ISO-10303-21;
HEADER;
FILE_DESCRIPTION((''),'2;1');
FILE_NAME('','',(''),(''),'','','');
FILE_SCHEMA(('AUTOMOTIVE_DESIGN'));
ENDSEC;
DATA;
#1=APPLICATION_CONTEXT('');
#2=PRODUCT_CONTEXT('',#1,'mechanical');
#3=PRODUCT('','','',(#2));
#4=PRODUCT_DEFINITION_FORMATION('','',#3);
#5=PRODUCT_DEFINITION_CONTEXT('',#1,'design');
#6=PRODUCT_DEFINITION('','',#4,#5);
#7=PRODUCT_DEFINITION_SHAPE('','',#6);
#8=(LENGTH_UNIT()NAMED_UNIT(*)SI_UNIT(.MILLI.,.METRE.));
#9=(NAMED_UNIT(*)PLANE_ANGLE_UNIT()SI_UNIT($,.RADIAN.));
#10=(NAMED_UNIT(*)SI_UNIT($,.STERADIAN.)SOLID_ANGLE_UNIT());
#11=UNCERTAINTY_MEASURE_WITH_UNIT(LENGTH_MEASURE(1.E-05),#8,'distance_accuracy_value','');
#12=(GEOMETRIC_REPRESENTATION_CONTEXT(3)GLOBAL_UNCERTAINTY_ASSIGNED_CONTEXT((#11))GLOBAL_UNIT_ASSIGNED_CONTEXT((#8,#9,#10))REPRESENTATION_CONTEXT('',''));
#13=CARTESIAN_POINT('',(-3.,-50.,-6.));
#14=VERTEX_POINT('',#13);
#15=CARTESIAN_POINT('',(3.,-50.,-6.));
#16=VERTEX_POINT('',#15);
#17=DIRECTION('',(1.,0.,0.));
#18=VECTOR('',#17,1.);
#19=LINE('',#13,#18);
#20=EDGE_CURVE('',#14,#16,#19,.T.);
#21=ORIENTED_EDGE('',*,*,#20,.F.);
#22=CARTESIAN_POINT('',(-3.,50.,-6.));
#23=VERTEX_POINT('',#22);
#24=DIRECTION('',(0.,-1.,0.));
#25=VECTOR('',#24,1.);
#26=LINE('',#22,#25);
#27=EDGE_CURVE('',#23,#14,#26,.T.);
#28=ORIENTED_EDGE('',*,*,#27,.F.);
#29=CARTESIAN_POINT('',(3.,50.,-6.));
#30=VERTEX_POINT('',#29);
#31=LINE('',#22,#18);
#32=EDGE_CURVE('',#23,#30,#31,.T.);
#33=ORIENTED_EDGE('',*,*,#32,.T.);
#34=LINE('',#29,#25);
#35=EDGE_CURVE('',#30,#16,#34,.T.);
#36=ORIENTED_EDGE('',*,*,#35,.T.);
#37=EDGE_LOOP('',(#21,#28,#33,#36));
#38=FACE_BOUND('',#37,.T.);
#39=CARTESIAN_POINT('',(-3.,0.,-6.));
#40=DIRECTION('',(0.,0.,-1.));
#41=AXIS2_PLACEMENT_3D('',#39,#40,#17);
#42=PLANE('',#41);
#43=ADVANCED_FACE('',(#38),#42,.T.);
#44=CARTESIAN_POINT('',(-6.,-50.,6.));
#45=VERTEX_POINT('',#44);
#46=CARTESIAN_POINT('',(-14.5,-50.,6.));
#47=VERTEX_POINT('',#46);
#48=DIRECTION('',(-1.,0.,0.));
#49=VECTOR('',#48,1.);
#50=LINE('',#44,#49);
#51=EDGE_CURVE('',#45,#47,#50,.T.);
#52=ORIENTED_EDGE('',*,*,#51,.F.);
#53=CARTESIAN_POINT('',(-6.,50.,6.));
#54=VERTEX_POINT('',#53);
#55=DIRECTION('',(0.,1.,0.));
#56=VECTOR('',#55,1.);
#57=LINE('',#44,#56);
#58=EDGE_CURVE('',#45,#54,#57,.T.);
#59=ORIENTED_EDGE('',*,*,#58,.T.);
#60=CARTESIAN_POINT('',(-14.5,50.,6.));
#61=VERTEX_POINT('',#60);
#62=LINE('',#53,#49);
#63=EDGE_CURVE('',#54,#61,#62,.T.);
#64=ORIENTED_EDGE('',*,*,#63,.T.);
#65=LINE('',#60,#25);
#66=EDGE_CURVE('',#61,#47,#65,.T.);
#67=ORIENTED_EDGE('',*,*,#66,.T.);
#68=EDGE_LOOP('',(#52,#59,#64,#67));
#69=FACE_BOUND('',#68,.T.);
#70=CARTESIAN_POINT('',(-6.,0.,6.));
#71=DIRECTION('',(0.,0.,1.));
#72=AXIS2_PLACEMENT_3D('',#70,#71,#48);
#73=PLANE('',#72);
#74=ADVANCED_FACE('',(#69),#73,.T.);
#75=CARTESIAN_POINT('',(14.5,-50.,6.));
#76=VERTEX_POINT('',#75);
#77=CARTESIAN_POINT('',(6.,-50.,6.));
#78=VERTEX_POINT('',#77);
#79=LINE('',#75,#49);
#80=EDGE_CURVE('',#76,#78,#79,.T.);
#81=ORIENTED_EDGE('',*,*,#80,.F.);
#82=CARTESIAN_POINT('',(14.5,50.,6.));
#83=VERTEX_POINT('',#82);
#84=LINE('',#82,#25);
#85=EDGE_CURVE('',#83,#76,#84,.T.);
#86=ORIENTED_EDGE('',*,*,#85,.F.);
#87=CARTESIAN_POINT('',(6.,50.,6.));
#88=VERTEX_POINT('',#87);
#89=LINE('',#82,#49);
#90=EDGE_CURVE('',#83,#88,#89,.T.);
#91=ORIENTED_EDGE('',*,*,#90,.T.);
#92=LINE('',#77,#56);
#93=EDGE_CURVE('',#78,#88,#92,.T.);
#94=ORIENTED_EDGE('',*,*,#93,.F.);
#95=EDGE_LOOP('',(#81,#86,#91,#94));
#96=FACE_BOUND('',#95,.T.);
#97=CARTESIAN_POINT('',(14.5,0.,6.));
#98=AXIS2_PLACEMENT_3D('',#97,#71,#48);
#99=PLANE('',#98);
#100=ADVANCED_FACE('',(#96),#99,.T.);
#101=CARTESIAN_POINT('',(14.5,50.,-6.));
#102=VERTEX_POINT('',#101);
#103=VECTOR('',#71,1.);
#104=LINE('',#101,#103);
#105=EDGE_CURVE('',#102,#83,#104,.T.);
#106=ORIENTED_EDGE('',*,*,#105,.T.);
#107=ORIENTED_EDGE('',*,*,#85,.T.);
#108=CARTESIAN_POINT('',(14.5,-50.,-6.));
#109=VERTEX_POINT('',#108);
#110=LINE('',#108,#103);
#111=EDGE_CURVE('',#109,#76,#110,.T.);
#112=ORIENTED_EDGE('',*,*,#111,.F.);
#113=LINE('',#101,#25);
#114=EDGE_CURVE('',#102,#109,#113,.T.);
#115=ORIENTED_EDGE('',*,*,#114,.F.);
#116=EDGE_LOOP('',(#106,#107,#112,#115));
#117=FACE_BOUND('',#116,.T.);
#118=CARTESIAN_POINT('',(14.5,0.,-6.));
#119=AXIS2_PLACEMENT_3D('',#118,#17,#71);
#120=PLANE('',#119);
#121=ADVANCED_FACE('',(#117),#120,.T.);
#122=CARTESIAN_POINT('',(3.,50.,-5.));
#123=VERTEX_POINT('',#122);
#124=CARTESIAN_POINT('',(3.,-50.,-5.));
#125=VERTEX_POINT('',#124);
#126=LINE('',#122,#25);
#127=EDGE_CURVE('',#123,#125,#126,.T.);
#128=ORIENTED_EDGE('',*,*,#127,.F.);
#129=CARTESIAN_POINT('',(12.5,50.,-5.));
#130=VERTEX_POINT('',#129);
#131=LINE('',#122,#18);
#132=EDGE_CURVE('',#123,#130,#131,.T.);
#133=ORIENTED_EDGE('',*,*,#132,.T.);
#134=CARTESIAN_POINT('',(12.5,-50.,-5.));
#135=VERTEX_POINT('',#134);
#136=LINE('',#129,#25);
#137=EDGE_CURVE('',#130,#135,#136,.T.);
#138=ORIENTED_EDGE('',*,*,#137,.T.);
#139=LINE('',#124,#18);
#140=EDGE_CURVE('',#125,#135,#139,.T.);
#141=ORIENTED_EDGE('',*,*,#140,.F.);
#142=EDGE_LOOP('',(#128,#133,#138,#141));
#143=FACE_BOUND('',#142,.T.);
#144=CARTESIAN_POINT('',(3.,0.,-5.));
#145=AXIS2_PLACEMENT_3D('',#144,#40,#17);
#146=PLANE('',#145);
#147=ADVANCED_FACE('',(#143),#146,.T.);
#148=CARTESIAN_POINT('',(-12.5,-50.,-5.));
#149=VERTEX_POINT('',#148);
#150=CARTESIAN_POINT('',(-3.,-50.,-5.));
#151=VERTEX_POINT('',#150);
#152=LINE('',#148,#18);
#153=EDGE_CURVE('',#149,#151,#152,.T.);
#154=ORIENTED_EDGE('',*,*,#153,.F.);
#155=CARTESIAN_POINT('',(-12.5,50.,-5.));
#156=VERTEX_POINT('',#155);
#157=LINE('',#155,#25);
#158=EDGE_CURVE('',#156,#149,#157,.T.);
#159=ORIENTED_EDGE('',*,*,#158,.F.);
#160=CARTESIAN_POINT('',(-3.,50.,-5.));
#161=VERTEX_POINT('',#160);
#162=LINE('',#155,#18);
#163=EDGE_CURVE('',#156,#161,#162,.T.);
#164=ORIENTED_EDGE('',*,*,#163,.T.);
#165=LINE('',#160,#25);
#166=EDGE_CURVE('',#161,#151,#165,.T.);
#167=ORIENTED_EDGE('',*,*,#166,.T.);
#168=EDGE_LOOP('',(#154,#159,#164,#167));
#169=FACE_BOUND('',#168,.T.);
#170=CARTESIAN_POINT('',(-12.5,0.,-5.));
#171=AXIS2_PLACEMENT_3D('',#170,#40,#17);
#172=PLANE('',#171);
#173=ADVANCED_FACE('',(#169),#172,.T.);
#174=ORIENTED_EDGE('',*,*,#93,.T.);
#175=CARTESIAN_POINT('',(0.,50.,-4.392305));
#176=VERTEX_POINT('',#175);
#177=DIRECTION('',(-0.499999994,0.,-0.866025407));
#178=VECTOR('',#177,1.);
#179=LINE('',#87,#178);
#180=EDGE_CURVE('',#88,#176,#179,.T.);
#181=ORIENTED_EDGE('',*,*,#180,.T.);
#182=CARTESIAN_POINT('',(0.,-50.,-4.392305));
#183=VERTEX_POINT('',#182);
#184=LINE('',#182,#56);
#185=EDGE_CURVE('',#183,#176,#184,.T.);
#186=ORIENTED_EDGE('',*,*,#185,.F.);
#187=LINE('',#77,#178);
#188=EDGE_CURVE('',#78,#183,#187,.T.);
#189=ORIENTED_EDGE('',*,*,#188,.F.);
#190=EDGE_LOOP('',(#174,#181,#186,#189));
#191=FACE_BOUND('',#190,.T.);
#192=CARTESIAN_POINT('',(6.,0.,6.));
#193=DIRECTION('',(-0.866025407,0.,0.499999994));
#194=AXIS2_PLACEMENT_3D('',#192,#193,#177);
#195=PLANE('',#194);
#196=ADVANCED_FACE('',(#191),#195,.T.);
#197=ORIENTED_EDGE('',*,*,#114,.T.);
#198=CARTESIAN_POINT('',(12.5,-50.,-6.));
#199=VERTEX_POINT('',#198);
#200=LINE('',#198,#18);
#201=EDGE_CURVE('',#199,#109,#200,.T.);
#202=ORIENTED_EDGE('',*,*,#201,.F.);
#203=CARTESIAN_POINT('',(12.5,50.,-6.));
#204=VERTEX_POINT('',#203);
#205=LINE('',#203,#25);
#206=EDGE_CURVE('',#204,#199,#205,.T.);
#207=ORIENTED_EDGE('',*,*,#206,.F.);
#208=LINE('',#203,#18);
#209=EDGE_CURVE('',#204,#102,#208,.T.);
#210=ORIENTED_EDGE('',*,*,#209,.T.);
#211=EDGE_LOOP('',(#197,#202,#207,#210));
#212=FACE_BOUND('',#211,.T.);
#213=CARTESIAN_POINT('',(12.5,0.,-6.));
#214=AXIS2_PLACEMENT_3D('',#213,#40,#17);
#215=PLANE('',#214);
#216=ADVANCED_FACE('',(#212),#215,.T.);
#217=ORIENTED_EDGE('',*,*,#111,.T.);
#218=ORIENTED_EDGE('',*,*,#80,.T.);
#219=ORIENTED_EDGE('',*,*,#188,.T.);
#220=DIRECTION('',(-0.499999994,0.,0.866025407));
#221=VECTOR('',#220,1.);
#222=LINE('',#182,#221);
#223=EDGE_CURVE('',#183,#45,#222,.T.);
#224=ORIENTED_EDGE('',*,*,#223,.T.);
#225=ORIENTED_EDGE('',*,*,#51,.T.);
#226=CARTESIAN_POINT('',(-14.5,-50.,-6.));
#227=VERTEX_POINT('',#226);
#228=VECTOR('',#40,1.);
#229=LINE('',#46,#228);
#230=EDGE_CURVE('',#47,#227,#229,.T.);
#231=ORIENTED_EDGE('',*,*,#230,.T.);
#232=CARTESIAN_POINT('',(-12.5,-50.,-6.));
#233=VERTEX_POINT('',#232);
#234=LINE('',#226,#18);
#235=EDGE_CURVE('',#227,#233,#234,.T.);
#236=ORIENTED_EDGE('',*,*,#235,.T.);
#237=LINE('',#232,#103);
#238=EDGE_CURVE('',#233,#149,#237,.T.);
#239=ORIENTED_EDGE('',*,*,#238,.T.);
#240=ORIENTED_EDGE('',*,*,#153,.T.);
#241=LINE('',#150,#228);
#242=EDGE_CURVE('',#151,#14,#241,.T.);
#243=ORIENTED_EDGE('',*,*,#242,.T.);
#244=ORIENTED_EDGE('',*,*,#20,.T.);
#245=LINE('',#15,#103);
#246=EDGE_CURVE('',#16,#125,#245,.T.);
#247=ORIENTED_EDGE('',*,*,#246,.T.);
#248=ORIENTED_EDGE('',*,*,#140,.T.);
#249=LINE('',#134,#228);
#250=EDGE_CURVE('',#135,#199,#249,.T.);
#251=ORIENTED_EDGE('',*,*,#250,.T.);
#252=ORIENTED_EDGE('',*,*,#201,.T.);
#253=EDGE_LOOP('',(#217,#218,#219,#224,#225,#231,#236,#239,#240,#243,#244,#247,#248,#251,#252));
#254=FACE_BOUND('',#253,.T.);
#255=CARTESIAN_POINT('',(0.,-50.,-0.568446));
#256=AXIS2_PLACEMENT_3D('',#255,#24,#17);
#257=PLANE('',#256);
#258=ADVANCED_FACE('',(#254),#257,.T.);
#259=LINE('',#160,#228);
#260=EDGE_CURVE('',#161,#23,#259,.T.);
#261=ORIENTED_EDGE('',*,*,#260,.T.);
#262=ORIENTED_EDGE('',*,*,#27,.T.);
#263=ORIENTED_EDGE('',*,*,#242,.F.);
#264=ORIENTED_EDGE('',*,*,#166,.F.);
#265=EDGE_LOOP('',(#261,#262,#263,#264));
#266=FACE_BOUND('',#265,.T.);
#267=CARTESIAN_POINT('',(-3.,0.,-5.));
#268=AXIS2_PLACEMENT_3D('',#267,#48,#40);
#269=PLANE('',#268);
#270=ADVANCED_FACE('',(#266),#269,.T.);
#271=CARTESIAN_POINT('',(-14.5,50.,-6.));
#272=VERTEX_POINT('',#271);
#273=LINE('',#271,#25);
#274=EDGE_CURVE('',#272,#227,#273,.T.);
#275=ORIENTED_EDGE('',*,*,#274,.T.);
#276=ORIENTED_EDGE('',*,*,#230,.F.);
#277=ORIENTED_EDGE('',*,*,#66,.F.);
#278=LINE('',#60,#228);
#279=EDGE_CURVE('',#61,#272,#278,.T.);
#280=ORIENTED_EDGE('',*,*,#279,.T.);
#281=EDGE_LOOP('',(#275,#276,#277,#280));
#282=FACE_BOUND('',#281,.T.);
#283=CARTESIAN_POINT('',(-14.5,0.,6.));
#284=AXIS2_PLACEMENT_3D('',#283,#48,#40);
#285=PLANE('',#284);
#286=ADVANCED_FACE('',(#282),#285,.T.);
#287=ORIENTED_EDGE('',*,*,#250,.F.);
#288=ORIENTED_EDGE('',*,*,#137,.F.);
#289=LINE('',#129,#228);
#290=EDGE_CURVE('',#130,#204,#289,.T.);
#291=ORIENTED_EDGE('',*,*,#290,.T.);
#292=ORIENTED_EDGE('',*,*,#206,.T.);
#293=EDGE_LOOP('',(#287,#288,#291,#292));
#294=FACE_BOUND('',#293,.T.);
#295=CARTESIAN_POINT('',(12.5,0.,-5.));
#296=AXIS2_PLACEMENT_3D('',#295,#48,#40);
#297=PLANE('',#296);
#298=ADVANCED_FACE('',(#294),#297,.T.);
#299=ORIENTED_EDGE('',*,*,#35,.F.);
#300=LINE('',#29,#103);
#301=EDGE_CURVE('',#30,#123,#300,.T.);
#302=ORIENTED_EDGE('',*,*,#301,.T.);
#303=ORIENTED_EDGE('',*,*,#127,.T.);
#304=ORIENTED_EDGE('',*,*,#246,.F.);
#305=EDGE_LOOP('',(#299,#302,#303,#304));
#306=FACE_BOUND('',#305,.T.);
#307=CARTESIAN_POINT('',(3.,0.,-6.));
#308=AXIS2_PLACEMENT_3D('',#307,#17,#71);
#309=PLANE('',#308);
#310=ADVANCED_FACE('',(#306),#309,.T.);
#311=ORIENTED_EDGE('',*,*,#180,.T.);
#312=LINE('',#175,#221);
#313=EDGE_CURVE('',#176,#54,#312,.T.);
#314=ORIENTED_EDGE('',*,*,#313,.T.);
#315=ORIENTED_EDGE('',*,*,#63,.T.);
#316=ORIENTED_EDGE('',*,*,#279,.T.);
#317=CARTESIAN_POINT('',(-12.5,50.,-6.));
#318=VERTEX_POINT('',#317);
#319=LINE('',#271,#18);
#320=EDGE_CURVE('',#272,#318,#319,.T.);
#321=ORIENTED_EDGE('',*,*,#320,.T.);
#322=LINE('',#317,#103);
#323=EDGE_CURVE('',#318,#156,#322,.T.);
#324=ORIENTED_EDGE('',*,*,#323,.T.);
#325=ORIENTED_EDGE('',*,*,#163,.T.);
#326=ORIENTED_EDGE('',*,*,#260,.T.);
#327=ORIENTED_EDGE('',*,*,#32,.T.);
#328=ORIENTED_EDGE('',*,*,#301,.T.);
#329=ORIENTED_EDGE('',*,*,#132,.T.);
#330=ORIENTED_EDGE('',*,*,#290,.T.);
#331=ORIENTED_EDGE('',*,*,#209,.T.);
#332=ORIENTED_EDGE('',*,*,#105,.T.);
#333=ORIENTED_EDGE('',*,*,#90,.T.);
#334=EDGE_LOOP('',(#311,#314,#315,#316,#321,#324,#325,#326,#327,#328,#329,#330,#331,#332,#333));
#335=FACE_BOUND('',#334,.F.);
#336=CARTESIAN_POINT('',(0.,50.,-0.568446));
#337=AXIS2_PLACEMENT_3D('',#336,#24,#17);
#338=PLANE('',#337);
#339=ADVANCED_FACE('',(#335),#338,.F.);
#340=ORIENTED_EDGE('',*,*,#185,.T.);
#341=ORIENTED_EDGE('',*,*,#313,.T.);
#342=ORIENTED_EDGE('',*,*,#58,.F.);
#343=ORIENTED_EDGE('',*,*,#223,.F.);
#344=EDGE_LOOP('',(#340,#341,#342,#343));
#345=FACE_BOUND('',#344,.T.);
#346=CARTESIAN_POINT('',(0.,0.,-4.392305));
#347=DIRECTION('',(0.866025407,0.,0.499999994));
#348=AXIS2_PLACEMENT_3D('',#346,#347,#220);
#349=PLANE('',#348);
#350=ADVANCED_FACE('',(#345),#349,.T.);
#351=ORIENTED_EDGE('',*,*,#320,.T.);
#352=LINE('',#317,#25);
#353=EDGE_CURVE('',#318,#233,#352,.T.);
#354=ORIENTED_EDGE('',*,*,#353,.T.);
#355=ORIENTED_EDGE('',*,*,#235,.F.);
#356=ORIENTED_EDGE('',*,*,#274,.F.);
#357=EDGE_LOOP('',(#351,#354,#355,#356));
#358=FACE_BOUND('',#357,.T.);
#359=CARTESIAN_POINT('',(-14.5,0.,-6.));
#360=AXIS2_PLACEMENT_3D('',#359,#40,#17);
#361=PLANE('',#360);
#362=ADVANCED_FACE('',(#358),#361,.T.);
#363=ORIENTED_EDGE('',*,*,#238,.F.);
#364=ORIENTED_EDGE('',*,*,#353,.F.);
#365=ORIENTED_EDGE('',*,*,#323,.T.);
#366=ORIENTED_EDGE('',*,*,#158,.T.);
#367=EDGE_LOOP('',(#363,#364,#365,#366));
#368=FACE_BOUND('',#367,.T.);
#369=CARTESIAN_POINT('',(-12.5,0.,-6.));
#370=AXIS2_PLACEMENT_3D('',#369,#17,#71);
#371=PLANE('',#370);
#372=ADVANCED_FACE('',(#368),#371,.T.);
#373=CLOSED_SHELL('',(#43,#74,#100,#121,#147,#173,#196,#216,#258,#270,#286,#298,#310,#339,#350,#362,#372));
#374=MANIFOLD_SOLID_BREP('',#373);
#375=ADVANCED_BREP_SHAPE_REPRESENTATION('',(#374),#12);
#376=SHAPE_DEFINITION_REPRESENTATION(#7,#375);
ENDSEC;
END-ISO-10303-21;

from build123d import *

# Parameters (mm, degrees)
F1_DEPTH = 50


with BuildPart() as f1:
    # F0 (on Front) → F1 (new body, symmetric)
    with BuildSketch(Plane.XZ):
        Polygon((-6, 6), (-14.5, 6), (-14.5, -6), (-12.5, -6), (-12.5, -5), (-3, -5), (-3, -6), (3, -6), (3, -5), (12.5, -5), (12.5, -6), (14.5, -6), (14.5, 6), (6, 6), (0, -4.392305), align=None)
    extrude(amount=F1_DEPTH, both=True)


solid = f1.part
